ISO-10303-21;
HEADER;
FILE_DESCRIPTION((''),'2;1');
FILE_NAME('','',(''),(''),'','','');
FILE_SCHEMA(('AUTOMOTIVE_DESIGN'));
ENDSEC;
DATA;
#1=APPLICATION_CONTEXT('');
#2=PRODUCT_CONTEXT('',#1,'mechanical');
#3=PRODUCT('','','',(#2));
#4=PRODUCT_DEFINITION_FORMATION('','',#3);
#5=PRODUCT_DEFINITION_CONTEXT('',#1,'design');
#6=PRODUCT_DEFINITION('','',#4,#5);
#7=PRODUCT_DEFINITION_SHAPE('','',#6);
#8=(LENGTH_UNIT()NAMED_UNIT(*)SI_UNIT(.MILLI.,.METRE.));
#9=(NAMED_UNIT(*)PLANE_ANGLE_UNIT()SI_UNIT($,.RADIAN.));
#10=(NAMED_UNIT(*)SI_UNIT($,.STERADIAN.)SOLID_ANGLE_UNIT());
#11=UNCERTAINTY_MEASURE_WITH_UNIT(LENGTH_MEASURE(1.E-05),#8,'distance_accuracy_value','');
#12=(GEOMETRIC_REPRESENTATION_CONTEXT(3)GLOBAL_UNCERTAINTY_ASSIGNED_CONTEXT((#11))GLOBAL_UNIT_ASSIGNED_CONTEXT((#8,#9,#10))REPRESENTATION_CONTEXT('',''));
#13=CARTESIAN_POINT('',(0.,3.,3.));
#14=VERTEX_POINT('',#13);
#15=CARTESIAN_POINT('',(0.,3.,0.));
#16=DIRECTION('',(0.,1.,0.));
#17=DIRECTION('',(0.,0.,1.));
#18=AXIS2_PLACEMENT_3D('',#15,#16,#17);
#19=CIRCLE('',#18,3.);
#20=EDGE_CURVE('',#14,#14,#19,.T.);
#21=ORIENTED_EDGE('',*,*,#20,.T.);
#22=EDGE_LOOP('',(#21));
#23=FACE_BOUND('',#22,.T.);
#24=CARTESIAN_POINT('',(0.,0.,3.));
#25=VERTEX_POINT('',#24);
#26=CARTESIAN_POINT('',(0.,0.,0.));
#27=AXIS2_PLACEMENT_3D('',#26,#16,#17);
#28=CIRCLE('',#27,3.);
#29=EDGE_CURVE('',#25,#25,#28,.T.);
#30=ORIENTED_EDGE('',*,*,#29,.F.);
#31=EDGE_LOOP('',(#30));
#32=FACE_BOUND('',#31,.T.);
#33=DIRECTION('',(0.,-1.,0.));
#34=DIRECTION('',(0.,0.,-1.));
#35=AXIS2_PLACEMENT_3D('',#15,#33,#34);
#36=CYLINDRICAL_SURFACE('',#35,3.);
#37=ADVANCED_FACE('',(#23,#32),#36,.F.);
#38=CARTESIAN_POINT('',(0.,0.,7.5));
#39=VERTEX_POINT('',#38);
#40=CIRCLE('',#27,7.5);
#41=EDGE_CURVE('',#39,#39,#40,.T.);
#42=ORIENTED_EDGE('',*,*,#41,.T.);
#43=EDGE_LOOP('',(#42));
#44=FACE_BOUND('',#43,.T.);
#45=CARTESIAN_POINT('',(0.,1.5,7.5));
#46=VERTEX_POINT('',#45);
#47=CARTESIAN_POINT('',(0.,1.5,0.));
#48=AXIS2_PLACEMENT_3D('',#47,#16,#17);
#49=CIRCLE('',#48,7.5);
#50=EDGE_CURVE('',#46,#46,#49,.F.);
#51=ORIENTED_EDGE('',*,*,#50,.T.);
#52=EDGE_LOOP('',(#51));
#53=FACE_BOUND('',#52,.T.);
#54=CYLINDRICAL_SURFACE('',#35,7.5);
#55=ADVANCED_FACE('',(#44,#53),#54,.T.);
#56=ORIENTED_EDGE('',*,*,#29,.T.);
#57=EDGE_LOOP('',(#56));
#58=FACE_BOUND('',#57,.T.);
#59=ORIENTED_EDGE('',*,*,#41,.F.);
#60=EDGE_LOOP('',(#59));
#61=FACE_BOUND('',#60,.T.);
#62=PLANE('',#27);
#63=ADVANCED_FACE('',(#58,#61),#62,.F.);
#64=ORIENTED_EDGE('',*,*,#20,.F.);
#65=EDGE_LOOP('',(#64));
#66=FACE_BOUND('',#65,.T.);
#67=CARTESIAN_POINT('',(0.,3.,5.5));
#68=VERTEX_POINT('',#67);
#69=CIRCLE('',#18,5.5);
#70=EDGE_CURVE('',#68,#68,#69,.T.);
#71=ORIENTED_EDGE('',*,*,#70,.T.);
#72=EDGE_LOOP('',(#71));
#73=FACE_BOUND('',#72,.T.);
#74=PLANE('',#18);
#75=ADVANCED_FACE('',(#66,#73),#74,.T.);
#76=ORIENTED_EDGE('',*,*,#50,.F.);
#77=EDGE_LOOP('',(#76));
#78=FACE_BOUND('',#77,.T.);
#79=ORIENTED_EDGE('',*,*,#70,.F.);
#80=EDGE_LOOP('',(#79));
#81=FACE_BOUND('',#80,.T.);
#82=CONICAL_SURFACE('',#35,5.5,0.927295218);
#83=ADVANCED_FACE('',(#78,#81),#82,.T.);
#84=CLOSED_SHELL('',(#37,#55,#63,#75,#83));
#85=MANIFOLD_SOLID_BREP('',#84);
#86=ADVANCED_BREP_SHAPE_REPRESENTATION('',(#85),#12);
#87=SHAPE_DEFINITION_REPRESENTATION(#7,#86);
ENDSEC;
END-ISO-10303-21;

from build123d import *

# Parameters (mm, degrees)
SKETCH_1_R      = 7.5
SKETCH_1_R_2    = 3
EXTRUDE_1_DEPTH = 3
CHAMFER_1_SIZE  = 1.5
CHAMFER_1_SIZE2 = 2


with BuildPart() as part:
    # 草图1 → 凸台-拉伸1 (new body)
    with BuildSketch(Plane(origin=(0, 0, 0), x_dir=(1, 0, 0), z_dir=(0, 1, 0))):
        with Locations(Location((0, 0, 0), (0, 0, 270))):
            Circle(SKETCH_1_R)
        with Locations(Location((0, 0, 0), (0, 0, 270))):
            Circle(SKETCH_1_R_2, mode=Mode.SUBTRACT)
    extrude(amount=EXTRUDE_1_DEPTH)

    # 倒角1
    chamfer_1_edges = [part.edges().sort_by_distance(p)[0] for p in [
        (0, 3, -7.5),
    ]]
    chamfer_1_side = [part.faces().sort_by_distance(p)[0] for p in [
        (0, 1.5, -7.5),
    ]]
    chamfer(chamfer_1_edges, length=CHAMFER_1_SIZE, length2=CHAMFER_1_SIZE2, reference=chamfer_1_side[0])


solid = part.part
